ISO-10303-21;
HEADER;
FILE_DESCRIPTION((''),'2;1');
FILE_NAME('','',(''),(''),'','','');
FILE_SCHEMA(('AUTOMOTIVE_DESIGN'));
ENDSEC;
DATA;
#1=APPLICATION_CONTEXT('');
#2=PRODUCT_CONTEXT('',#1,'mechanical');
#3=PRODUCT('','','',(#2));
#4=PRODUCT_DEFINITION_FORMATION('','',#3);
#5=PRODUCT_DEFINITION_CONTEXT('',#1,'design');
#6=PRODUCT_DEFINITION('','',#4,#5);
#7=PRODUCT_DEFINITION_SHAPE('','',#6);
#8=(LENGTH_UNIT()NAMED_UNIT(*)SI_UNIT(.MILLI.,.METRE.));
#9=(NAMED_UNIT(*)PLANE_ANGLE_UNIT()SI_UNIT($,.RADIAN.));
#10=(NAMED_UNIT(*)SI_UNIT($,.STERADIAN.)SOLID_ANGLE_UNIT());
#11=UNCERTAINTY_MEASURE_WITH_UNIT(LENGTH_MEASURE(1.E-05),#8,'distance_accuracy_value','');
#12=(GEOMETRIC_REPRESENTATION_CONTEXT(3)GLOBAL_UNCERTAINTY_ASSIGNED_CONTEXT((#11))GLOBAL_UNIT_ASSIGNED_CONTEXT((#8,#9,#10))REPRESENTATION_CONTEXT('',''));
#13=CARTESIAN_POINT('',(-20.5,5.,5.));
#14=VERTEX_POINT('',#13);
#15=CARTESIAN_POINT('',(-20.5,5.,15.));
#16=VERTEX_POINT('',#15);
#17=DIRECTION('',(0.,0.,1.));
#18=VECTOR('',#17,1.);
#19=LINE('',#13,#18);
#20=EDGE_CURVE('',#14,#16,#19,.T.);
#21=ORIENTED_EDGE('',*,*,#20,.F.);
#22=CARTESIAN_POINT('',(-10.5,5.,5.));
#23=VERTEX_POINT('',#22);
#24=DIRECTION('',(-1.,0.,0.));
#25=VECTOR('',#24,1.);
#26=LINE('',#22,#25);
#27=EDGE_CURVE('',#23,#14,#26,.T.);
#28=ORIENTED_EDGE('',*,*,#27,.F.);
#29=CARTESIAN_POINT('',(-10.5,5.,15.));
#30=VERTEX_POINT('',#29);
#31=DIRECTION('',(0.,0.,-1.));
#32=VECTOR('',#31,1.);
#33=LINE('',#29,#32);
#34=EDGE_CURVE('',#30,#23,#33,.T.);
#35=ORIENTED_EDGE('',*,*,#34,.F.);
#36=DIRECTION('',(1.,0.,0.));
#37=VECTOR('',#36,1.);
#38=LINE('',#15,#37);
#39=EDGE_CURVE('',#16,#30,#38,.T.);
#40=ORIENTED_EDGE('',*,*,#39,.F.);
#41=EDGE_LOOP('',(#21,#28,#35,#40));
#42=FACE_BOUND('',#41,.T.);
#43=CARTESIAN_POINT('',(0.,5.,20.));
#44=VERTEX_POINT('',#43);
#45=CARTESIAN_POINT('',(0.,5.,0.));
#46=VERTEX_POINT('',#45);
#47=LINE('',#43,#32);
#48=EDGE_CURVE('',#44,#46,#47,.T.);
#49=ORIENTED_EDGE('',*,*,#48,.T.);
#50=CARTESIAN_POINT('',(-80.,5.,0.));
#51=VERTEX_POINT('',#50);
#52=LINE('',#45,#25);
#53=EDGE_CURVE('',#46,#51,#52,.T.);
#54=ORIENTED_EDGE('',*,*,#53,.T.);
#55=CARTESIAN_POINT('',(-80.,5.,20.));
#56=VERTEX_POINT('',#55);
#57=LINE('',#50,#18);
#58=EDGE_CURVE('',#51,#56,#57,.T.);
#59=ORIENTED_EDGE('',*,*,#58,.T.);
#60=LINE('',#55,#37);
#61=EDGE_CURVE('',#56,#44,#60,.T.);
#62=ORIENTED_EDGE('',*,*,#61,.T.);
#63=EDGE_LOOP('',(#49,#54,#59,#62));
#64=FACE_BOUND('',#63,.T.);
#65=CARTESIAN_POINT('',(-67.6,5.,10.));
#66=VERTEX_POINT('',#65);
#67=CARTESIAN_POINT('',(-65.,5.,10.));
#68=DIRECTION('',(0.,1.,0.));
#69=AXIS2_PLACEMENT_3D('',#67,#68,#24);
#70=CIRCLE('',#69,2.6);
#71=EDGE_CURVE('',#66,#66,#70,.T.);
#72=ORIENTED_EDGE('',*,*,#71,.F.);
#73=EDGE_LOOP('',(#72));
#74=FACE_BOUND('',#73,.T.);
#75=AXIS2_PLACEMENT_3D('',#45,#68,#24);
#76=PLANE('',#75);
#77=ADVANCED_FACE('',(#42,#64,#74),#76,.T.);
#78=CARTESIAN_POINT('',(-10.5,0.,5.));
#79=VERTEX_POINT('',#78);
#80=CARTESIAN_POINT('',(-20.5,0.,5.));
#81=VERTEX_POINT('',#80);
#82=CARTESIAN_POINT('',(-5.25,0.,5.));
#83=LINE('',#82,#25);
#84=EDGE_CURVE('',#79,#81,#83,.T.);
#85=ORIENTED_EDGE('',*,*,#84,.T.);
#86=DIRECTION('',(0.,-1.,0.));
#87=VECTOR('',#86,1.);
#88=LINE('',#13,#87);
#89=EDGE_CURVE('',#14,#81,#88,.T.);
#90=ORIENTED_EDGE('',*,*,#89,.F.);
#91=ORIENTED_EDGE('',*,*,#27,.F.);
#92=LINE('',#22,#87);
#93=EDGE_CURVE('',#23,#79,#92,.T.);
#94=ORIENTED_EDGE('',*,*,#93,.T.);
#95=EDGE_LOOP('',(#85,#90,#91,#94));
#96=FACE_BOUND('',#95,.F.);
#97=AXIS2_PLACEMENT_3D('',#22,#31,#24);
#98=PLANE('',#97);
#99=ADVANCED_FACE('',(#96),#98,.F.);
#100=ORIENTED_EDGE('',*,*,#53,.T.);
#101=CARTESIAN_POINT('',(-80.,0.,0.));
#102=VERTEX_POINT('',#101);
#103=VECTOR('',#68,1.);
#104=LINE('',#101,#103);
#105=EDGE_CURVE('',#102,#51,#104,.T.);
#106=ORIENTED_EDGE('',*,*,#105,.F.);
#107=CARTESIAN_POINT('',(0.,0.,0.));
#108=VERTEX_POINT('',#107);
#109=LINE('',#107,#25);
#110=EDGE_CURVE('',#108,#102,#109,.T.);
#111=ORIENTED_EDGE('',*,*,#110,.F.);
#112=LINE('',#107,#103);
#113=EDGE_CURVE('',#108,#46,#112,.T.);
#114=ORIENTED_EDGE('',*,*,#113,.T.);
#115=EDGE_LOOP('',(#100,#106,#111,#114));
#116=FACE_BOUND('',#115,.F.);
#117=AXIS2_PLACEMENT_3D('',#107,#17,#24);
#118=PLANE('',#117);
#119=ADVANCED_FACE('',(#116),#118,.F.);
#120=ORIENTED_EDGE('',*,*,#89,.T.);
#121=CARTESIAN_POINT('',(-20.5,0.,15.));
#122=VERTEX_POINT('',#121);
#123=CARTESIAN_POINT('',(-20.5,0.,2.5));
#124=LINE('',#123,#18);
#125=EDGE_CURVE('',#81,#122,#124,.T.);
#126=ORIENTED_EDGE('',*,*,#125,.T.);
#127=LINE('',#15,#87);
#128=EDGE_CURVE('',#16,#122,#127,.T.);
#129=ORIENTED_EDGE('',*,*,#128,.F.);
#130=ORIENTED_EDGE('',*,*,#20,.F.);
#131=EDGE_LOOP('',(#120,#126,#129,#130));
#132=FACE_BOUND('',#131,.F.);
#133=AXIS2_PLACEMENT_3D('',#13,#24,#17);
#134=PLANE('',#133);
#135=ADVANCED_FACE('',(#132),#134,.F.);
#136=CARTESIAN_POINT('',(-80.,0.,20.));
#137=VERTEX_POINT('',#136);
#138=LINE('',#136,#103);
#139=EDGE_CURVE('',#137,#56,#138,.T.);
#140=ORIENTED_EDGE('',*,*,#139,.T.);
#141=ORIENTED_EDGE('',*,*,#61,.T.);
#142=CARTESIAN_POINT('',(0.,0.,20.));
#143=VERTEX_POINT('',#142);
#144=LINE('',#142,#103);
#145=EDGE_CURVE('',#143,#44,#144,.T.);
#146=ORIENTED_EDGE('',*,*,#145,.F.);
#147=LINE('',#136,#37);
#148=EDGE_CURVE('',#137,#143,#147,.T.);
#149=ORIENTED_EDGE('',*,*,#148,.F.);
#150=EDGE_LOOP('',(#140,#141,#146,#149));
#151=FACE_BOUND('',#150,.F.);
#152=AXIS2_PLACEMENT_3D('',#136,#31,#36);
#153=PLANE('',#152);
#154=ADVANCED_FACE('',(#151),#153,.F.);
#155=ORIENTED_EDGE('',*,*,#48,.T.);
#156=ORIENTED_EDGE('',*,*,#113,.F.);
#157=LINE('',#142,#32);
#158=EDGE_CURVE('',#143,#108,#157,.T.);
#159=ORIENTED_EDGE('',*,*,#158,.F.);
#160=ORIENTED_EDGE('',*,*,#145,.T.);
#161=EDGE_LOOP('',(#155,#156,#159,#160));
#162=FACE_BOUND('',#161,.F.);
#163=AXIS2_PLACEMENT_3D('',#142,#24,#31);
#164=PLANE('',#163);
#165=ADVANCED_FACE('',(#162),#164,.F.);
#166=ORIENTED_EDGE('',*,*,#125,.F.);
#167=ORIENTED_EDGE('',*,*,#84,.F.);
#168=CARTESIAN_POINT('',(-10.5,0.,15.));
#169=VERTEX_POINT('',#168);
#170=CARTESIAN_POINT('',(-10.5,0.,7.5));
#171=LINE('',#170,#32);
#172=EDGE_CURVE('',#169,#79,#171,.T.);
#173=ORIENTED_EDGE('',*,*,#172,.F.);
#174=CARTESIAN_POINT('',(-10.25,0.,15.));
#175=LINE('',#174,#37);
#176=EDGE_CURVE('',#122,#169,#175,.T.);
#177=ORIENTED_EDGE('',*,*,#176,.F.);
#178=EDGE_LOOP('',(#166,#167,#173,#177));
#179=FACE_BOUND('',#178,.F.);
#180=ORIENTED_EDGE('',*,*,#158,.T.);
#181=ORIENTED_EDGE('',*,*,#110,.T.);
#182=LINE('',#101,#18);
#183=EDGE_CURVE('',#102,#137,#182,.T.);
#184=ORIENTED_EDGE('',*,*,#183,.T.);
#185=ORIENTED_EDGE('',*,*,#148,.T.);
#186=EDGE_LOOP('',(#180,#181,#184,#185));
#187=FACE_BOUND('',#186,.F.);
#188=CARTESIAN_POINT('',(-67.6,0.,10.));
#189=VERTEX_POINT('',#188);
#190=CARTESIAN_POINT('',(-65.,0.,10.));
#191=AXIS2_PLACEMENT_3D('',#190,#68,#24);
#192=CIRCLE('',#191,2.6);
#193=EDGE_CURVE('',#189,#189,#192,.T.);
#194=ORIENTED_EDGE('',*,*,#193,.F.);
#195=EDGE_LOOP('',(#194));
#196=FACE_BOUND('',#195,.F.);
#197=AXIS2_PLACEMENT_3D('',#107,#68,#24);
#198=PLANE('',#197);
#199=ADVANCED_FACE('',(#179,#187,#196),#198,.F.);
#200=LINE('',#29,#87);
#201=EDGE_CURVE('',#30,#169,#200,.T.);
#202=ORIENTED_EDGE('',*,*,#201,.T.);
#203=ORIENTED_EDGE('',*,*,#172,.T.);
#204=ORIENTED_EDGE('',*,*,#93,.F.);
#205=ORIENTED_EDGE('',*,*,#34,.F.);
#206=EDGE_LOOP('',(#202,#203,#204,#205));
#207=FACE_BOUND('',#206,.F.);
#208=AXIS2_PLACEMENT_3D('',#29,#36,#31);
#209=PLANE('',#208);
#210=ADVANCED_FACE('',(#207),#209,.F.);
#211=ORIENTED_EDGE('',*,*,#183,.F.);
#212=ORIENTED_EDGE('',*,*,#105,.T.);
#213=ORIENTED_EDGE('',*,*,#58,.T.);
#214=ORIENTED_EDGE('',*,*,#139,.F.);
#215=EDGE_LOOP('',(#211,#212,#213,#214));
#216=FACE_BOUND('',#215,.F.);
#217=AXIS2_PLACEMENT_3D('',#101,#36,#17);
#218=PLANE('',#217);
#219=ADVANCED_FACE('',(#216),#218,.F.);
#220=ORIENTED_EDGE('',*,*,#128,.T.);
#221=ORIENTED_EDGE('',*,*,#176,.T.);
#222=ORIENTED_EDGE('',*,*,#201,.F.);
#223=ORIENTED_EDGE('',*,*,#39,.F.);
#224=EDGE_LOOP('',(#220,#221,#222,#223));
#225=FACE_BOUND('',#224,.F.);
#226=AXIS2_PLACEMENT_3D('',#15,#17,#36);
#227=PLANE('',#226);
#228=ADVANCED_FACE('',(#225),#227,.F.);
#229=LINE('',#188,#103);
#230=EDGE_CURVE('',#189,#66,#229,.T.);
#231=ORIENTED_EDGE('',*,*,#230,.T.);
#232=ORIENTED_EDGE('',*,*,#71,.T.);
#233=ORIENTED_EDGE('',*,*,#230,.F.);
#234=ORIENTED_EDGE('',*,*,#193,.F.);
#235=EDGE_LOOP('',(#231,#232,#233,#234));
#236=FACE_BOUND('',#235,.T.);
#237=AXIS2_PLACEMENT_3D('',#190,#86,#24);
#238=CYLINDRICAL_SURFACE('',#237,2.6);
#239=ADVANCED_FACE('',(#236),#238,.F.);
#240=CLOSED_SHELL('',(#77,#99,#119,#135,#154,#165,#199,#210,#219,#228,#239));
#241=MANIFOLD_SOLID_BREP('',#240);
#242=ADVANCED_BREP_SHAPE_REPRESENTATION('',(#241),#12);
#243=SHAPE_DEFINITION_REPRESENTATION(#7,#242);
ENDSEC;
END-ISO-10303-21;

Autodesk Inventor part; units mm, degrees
ref_plane "YZ Plane" through (0, 0, 0) normal (1, 0, 0) x (0, 1, 0)
ref_plane "XZ Plane" through (0, 0, 0) normal (0, 1, 0) x (-1, 0, 0)
ref_plane "XY Plane" through (0, 0, 0) normal (0, 0, 1) x (1, 0, 0)
sketch "Sketch1" plane through (0, 0, 0) normal (0, 1, 0) x (-1, 0, 0)
  line L0 (0, 0) -> (80, 0)
  line L1 (80, 0) -> (80, 20)
  line L2 (80, 20) -> (0, 20)
  line L3 (0, 20) -> (0, 0)
  circle A0 centre (65, 10) radius 2.6
  dimension "d2" = 20
  dimension "d3" = 80
  dimension "d4" = 5.2
  dimension "d7" = 15
  dimension "d8" = 10
extrude "Extrusion2" add sketch "Sketch1" along normal blind 5
sketch "Sketch3" plane through (0, 5, 0) normal (0, 1, 0) x (1, 0, 0)
  circle A0 centre (-65, -10) radius 2.6 projected
  line L0 (0, 0) -> (-80, 0) projected
  line L1 (-80, 0) -> (-80, -20) projected
  line L2 (-80, -20) -> (0, -20) projected
  line L3 (0, -20) -> (0, 0) projected
  line L4 (-10.5, -5) -> (-20.5, -5)
  line L5 (-20.5, -5) -> (-20.5, -15)
  line L6 (-20.5, -15) -> (-10.5, -15)
  line L7 (-10.5, -15) -> (-10.5, -5)
  line L8 (-10.5, -5) -> (-20.5, -15) construction
  line L9 (-20.5, -5) -> (-10.5, -15) construction
  point P0 (-15.5, -10)
  dimension "d11" = 10
  dimension "d12" = 10
  dimension "d17" = 64.5
  dimension "d18" = 10
extrude "Extrusion3" cut sketch "Sketch3" against normal through all contours L7 L6 L5 L4
equation "\"d8\" = 0.5 * d2"
equation "\"d18\" = 0.5 * d2"
properties part number "slider_box" material "Wood (Birch)"
